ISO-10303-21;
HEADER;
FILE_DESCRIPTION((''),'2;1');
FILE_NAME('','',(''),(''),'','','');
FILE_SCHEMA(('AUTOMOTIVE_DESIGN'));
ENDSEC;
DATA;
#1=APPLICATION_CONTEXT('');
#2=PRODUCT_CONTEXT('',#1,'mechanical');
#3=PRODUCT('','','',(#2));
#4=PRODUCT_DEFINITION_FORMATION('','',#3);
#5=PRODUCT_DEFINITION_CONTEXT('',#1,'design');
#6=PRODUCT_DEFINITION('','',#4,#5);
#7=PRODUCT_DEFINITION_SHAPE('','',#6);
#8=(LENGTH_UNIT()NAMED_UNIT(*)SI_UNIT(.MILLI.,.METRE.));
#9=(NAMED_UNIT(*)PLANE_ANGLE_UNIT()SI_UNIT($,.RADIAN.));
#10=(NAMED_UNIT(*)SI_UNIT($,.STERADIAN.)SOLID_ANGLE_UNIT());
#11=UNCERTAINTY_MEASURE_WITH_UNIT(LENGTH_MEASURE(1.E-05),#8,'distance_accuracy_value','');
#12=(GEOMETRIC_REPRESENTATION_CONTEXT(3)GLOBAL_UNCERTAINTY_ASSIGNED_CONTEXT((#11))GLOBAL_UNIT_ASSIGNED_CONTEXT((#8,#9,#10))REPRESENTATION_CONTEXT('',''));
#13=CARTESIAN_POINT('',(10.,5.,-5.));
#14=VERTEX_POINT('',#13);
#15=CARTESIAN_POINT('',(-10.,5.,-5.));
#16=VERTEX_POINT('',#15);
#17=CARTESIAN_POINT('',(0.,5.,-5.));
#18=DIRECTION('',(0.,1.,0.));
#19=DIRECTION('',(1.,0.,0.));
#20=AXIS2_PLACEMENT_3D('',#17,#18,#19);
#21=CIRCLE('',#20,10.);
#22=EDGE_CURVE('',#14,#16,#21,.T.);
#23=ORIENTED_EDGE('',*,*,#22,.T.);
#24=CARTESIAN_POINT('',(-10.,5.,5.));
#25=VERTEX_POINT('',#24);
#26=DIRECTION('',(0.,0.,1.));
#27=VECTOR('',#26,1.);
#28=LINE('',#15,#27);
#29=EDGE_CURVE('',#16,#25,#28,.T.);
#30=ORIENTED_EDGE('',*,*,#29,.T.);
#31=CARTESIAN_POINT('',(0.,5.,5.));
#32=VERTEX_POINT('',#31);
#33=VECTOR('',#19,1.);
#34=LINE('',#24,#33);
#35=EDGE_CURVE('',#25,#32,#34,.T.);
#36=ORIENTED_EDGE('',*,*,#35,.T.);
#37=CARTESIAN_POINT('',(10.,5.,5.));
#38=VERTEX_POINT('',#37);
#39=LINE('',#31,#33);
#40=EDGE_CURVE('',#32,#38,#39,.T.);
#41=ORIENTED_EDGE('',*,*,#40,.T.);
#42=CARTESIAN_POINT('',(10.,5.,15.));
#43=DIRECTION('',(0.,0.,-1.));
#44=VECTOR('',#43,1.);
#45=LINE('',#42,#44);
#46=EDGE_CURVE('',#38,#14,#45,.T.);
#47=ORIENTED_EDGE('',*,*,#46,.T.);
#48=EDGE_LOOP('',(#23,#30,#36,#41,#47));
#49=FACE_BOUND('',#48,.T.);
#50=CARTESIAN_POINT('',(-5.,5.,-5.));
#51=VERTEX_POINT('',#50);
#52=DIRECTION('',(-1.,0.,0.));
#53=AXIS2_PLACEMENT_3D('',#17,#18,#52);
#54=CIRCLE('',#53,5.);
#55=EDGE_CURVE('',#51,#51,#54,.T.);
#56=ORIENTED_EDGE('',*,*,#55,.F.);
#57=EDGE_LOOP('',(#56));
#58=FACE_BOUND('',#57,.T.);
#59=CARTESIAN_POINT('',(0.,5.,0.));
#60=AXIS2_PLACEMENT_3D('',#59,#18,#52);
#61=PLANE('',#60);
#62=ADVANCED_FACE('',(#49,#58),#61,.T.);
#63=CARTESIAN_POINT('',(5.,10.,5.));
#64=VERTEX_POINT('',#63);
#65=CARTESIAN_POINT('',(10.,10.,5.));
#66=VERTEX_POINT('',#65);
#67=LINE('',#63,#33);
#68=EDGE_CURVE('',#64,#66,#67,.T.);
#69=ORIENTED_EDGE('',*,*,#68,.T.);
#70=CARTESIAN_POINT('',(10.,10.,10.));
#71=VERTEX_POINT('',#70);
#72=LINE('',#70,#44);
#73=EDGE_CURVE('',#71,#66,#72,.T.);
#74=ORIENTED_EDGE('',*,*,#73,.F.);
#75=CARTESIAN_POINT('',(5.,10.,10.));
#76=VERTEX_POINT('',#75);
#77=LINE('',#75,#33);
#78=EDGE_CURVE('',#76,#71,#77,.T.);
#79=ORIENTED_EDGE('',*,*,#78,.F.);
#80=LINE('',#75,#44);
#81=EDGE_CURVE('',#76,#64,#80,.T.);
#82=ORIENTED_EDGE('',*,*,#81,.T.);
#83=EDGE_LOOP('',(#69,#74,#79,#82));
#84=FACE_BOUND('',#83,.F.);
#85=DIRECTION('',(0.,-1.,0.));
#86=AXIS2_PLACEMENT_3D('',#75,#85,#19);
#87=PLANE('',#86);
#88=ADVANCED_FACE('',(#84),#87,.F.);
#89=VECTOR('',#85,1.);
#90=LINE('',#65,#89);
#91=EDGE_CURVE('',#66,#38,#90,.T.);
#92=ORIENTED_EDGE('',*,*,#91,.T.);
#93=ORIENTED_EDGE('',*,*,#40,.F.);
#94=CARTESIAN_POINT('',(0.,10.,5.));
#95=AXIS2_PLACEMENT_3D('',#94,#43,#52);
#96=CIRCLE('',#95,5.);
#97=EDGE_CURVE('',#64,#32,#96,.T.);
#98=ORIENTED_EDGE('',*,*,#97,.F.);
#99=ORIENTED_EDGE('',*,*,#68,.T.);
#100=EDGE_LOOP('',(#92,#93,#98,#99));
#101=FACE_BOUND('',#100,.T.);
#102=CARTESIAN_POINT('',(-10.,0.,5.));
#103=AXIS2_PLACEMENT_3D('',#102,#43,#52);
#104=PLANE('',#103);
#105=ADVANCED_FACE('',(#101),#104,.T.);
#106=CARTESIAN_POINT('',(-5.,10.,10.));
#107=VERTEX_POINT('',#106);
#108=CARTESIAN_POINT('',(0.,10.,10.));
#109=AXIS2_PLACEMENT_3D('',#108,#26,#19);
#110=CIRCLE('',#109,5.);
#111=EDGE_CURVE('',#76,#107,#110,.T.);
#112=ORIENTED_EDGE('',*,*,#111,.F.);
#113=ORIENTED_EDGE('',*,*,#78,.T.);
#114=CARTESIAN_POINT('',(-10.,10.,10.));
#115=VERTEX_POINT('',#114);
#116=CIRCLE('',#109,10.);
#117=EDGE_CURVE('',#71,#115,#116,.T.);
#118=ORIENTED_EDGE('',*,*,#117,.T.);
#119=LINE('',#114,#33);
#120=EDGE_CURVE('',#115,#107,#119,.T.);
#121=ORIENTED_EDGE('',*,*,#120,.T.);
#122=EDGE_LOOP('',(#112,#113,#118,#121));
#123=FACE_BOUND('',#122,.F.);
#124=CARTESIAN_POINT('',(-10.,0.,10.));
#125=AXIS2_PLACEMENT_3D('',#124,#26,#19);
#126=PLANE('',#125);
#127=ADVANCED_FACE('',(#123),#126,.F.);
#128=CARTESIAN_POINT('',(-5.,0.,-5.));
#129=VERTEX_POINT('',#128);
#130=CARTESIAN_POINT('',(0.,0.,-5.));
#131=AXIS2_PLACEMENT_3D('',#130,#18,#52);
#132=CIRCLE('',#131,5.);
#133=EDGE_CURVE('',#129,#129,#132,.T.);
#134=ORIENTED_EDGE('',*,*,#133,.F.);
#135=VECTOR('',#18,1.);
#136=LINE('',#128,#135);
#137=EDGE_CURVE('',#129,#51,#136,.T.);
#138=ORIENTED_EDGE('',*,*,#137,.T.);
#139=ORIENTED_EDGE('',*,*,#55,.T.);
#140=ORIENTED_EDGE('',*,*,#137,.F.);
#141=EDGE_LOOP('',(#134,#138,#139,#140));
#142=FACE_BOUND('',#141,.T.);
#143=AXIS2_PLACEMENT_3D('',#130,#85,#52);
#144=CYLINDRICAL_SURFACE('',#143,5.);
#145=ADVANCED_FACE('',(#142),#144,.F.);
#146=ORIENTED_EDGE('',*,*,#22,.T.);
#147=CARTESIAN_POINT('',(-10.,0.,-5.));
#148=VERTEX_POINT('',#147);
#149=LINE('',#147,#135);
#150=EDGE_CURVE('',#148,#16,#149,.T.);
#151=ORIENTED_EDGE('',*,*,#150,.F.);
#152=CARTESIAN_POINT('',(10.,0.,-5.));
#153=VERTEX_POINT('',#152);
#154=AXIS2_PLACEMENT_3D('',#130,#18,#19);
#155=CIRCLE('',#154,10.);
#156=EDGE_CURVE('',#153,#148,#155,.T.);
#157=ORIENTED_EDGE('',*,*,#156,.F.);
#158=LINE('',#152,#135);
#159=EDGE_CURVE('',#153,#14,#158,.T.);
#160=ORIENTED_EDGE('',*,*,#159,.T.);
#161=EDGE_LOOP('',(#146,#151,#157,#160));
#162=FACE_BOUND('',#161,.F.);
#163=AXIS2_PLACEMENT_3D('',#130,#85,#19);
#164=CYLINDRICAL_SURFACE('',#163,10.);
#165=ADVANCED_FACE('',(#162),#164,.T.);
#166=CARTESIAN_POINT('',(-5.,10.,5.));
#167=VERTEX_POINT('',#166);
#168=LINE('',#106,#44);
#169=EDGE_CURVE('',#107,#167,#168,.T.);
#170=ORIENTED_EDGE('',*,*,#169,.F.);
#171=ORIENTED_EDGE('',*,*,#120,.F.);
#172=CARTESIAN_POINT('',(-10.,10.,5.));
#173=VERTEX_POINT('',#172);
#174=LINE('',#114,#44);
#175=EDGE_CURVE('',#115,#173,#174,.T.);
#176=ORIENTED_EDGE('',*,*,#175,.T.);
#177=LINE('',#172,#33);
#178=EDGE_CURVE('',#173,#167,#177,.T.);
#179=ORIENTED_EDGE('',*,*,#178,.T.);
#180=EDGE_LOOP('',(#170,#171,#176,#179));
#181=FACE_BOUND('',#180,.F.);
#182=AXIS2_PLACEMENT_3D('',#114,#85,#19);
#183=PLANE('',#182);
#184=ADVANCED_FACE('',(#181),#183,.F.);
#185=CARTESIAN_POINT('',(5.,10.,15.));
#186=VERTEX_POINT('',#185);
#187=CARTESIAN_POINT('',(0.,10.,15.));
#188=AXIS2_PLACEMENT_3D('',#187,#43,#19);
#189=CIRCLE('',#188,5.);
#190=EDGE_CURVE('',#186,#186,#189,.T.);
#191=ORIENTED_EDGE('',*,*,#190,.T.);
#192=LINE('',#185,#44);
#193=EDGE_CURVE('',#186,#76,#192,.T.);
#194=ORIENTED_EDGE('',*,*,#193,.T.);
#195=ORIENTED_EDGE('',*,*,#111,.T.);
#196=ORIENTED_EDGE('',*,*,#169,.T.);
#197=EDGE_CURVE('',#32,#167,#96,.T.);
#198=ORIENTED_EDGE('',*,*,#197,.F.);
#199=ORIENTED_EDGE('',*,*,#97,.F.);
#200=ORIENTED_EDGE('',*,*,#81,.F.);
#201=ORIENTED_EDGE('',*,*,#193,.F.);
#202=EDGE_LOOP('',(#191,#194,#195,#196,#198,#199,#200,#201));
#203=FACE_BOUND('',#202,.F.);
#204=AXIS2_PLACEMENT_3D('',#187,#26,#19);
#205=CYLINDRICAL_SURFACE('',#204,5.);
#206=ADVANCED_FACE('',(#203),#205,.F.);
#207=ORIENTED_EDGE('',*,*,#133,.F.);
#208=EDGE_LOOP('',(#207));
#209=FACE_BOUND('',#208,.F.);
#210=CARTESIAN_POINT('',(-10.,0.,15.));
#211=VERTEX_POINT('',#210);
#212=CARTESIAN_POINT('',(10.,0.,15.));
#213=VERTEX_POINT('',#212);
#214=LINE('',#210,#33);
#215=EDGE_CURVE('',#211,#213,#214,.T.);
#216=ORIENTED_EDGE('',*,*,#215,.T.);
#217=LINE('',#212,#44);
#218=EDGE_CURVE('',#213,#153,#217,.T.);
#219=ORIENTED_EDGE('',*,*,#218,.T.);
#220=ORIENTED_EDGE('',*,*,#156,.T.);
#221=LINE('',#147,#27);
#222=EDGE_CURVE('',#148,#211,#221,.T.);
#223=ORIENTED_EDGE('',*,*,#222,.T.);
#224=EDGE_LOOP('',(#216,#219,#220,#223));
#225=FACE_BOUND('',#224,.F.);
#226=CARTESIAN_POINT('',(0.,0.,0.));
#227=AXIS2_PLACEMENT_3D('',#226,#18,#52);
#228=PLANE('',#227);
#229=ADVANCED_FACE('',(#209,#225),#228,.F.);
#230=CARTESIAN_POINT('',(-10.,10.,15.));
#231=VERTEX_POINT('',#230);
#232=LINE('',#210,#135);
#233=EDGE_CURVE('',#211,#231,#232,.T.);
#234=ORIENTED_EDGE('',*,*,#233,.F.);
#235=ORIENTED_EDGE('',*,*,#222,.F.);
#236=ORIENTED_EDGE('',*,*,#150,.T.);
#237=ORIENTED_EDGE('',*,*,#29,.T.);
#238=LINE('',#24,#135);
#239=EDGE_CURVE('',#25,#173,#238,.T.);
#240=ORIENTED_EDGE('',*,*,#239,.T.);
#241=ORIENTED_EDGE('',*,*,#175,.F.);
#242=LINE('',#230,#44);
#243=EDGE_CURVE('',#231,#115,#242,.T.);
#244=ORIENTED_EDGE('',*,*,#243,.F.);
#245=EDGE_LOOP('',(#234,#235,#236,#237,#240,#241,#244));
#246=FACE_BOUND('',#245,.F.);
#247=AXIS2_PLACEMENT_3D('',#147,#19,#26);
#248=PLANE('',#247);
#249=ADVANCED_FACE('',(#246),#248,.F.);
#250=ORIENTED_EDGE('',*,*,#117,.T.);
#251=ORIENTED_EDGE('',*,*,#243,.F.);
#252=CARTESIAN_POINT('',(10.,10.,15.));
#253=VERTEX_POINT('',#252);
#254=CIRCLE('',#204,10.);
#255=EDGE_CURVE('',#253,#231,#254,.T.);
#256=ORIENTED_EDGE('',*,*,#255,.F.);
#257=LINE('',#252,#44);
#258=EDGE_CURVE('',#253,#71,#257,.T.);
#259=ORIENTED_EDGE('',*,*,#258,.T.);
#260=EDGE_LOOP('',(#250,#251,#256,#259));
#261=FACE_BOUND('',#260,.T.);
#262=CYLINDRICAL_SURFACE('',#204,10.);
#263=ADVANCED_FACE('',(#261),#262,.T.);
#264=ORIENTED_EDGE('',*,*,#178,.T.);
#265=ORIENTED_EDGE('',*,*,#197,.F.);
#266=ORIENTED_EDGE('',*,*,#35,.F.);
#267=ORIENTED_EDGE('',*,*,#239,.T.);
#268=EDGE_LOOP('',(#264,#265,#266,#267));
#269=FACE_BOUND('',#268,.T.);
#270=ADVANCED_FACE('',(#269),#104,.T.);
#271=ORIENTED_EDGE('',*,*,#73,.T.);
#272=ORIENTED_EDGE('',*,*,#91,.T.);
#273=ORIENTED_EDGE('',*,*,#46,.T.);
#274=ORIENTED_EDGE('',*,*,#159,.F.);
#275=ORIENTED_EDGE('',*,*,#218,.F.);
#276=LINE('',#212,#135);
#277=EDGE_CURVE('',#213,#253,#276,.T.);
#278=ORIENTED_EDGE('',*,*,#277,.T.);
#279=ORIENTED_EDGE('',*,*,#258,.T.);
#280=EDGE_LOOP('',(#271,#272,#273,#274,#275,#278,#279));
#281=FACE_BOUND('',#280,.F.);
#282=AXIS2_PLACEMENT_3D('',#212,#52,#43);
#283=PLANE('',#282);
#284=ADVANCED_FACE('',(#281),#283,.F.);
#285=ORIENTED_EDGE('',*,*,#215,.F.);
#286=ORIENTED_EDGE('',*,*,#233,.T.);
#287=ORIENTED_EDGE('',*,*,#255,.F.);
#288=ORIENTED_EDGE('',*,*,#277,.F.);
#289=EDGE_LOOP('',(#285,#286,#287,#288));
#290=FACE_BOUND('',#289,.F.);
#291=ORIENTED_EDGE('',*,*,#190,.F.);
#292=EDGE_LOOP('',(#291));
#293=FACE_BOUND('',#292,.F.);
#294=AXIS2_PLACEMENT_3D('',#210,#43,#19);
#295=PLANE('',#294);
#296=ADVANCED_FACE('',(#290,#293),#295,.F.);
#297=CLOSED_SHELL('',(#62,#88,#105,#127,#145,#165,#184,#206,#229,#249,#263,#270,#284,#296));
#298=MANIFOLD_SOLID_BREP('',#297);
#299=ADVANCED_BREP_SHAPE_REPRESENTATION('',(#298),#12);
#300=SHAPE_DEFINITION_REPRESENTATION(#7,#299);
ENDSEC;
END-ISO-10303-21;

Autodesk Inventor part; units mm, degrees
ref_plane "YZ Plane" through (0, 0, 0) normal (1, 0, 0) x (0, 1, 0)
ref_plane "XZ Plane" through (0, 0, 0) normal (0, 1, 0) x (-1, 0, 0)
ref_plane "XY Plane" through (0, 0, 0) normal (0, 0, 1) x (1, 0, 0)
sketch "草圖1" plane through (0, 0, 0) normal (0, 1, 0) x (-1, 0, 0)
  line L0 (10, 15) -> (-10, 15)
  line L1 (-10, 15) -> (-10, -5)
  line L2 (-10, -15) -> (10, -15) construction
  line L3 (10, -15) -> (10, -5) construction
  arc A0 (-10, -5) -> (10, -5) centre (0, -5) ccw
  line L4 (10, -5) -> (10, 15)
  line L5 (-10, -5) -> (-10, -15) construction
  circle A1 centre (0, -5) radius 5
  point P0 (0, 0)
  point P1 (10, 0)
  point P2 (0, 15)
  dimension "d0" = 30
  dimension "d1" = 20
  dimension "d2" = 5
  dimension "d3" = 10
extrude "擠出1" add sketch "草圖1" along normal blind 5
sketch "草圖2" plane through (-10, 0, 15) normal (0, 0, 1) x (1, 0, 0)
  line L0 (0, 0) -> (20, 0) construction
  line L1 (20, 0) -> (20, 5) construction
  line L2 (0, 5) -> (20, 5) construction
  line L3 (0, 0) -> (0, 5) construction
  line L4 (0, 5) -> (20, 5) projected
  line L5 (0, 5) -> (20, 5)
  line L6 (20, 5) -> (20, 10)
  line L7 (0, 10) -> (0, 5)
  arc A0 (20, 10) -> (0, 10) centre (10, 10) ccw
  circle A1 centre (10, 10) radius 5
  point P0 (10, 0)
  dimension "d6" = 5
  dimension "d7" = 10
  dimension "d8" = 10
extrude "擠出2" add sketch "草圖2" against normal blind 5
sketch "草圖3" plane through (-10, 0, 10) normal (0, 0, -1) x (-1, 0, 0)
  line L0 (-10, 5) -> (-20, 5) projected
  circle A0 centre (-10, 10) radius 5 projected
  line L1 (0, 5) -> (-10, 5) projected
  line L2 (0, 5) -> (0, 10) projected
  arc A1 (0, 10) -> (-20, 10) centre (-10, 10) ccw projected
  line L3 (-20, 10) -> (-20, 5) projected
  line L4 (-20, 10) -> (-20, 5) projected
  line L5 (0, 5) -> (0, 10) projected
  line L6 (-20, 5) -> (0, 5)
  line L7 (0, 5) -> (0, 10)
  line L8 (0, 10) -> (-5, 10)
  line L9 (-20, 10) -> (-20, 5)
  line L10 (-15, 10) -> (-20, 10)
  line L11 (-5, 10) -> (-15, 10) construction
  point P0 (-10, 0)
  dimension "d11" = 5
extrude "擠出3" add sketch "草圖3" along normal blind 5 contours L0 L3 L10 A0 | A0 L8 L2 L1
properties part number "8"
